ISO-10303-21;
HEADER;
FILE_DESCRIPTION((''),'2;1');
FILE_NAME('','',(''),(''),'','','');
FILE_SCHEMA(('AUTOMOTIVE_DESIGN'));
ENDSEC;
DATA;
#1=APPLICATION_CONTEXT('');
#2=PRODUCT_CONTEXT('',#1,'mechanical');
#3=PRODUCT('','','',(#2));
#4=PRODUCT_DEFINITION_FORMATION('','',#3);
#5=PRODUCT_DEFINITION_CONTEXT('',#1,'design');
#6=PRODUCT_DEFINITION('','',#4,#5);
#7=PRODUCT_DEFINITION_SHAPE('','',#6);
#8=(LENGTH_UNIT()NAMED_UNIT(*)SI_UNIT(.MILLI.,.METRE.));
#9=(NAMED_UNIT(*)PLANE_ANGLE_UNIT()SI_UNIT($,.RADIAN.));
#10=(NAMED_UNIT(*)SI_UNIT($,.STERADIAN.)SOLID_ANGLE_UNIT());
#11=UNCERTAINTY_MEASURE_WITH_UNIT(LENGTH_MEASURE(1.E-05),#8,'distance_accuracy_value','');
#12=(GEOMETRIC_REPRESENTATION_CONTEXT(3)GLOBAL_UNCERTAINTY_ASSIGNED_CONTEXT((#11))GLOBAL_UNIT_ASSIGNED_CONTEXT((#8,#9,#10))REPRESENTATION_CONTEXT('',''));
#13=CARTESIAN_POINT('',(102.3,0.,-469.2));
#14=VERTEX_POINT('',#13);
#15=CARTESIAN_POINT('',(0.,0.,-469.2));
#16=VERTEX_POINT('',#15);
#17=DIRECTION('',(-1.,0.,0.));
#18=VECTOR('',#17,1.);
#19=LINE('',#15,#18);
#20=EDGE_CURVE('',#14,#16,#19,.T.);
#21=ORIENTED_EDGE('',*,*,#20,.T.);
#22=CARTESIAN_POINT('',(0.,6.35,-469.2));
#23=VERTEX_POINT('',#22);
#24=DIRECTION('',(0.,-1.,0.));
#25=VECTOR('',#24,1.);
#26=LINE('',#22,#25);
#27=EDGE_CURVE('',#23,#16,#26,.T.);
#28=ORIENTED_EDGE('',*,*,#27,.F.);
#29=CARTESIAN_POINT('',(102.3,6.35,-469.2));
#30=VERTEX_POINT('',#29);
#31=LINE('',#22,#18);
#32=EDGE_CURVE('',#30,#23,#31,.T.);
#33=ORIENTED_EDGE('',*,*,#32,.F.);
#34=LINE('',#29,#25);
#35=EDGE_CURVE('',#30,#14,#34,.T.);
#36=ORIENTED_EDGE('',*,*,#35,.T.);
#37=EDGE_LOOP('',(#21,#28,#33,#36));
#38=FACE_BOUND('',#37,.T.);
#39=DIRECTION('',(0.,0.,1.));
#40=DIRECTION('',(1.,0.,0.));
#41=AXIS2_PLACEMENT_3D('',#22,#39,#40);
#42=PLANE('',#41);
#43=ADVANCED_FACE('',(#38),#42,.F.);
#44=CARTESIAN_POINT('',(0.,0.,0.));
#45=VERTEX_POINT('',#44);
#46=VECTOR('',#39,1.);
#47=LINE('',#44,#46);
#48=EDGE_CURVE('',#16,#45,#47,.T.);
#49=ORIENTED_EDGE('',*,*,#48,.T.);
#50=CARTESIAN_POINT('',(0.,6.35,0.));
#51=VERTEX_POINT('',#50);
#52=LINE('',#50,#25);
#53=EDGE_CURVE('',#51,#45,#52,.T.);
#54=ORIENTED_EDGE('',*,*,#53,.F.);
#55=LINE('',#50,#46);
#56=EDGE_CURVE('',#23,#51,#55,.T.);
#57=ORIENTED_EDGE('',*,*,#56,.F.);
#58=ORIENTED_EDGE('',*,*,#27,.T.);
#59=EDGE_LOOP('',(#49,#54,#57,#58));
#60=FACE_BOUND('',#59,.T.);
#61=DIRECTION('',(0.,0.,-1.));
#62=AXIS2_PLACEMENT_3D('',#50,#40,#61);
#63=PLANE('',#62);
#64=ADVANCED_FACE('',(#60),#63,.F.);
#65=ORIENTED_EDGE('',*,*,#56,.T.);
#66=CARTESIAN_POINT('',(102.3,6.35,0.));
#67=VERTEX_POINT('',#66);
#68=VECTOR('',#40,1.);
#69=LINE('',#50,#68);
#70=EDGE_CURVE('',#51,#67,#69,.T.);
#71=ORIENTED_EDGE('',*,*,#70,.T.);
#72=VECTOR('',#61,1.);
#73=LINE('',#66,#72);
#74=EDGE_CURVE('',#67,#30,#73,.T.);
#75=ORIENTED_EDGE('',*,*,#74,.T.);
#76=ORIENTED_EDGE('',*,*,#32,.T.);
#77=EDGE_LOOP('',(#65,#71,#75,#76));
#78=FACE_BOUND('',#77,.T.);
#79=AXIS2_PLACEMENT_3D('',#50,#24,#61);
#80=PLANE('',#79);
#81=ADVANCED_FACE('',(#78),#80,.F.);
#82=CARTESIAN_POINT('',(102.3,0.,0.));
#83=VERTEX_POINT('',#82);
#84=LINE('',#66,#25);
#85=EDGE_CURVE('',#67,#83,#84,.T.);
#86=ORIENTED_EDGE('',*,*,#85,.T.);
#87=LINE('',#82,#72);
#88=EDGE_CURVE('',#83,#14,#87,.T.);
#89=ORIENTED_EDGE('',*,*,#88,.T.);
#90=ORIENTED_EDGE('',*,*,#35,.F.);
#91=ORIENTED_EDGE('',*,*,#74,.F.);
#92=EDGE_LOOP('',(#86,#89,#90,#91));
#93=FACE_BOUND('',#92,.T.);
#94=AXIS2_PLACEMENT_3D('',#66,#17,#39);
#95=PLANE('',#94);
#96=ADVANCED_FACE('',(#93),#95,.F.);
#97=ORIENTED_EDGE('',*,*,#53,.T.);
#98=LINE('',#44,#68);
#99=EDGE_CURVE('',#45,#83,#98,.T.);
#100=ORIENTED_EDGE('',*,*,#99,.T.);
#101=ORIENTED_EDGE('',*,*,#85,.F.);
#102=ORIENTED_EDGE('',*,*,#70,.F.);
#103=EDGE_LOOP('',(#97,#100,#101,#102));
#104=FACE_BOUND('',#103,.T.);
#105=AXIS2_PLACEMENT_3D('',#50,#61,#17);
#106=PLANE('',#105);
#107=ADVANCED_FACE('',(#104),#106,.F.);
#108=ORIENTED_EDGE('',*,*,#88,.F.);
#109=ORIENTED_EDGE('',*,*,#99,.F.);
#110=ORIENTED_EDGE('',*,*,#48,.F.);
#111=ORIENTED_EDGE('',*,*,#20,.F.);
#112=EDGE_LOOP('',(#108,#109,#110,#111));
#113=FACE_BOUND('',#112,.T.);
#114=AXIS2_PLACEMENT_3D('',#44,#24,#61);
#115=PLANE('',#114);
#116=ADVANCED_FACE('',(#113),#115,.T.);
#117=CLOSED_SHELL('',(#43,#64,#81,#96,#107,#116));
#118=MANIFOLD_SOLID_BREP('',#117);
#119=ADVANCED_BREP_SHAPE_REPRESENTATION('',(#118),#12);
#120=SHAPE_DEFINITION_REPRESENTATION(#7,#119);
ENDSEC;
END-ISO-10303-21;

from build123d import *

# Parameters (mm, degrees)
SKETCH1_W           = 102.3
SKETCH1_H           = 469.2
BOSS_EXTRUDE1_DEPTH = 6.35


with BuildPart() as part:
    # Sketch1 → Boss-Extrude1 (new body)
    with BuildSketch(Plane(origin=(0, 0, 0), x_dir=(1, 0, 0), z_dir=(0, 1, 0))):
        with Locations((51.15, 234.6)):
            Rectangle(SKETCH1_W, SKETCH1_H)
    extrude(amount=BOSS_EXTRUDE1_DEPTH)


solid = part.part
